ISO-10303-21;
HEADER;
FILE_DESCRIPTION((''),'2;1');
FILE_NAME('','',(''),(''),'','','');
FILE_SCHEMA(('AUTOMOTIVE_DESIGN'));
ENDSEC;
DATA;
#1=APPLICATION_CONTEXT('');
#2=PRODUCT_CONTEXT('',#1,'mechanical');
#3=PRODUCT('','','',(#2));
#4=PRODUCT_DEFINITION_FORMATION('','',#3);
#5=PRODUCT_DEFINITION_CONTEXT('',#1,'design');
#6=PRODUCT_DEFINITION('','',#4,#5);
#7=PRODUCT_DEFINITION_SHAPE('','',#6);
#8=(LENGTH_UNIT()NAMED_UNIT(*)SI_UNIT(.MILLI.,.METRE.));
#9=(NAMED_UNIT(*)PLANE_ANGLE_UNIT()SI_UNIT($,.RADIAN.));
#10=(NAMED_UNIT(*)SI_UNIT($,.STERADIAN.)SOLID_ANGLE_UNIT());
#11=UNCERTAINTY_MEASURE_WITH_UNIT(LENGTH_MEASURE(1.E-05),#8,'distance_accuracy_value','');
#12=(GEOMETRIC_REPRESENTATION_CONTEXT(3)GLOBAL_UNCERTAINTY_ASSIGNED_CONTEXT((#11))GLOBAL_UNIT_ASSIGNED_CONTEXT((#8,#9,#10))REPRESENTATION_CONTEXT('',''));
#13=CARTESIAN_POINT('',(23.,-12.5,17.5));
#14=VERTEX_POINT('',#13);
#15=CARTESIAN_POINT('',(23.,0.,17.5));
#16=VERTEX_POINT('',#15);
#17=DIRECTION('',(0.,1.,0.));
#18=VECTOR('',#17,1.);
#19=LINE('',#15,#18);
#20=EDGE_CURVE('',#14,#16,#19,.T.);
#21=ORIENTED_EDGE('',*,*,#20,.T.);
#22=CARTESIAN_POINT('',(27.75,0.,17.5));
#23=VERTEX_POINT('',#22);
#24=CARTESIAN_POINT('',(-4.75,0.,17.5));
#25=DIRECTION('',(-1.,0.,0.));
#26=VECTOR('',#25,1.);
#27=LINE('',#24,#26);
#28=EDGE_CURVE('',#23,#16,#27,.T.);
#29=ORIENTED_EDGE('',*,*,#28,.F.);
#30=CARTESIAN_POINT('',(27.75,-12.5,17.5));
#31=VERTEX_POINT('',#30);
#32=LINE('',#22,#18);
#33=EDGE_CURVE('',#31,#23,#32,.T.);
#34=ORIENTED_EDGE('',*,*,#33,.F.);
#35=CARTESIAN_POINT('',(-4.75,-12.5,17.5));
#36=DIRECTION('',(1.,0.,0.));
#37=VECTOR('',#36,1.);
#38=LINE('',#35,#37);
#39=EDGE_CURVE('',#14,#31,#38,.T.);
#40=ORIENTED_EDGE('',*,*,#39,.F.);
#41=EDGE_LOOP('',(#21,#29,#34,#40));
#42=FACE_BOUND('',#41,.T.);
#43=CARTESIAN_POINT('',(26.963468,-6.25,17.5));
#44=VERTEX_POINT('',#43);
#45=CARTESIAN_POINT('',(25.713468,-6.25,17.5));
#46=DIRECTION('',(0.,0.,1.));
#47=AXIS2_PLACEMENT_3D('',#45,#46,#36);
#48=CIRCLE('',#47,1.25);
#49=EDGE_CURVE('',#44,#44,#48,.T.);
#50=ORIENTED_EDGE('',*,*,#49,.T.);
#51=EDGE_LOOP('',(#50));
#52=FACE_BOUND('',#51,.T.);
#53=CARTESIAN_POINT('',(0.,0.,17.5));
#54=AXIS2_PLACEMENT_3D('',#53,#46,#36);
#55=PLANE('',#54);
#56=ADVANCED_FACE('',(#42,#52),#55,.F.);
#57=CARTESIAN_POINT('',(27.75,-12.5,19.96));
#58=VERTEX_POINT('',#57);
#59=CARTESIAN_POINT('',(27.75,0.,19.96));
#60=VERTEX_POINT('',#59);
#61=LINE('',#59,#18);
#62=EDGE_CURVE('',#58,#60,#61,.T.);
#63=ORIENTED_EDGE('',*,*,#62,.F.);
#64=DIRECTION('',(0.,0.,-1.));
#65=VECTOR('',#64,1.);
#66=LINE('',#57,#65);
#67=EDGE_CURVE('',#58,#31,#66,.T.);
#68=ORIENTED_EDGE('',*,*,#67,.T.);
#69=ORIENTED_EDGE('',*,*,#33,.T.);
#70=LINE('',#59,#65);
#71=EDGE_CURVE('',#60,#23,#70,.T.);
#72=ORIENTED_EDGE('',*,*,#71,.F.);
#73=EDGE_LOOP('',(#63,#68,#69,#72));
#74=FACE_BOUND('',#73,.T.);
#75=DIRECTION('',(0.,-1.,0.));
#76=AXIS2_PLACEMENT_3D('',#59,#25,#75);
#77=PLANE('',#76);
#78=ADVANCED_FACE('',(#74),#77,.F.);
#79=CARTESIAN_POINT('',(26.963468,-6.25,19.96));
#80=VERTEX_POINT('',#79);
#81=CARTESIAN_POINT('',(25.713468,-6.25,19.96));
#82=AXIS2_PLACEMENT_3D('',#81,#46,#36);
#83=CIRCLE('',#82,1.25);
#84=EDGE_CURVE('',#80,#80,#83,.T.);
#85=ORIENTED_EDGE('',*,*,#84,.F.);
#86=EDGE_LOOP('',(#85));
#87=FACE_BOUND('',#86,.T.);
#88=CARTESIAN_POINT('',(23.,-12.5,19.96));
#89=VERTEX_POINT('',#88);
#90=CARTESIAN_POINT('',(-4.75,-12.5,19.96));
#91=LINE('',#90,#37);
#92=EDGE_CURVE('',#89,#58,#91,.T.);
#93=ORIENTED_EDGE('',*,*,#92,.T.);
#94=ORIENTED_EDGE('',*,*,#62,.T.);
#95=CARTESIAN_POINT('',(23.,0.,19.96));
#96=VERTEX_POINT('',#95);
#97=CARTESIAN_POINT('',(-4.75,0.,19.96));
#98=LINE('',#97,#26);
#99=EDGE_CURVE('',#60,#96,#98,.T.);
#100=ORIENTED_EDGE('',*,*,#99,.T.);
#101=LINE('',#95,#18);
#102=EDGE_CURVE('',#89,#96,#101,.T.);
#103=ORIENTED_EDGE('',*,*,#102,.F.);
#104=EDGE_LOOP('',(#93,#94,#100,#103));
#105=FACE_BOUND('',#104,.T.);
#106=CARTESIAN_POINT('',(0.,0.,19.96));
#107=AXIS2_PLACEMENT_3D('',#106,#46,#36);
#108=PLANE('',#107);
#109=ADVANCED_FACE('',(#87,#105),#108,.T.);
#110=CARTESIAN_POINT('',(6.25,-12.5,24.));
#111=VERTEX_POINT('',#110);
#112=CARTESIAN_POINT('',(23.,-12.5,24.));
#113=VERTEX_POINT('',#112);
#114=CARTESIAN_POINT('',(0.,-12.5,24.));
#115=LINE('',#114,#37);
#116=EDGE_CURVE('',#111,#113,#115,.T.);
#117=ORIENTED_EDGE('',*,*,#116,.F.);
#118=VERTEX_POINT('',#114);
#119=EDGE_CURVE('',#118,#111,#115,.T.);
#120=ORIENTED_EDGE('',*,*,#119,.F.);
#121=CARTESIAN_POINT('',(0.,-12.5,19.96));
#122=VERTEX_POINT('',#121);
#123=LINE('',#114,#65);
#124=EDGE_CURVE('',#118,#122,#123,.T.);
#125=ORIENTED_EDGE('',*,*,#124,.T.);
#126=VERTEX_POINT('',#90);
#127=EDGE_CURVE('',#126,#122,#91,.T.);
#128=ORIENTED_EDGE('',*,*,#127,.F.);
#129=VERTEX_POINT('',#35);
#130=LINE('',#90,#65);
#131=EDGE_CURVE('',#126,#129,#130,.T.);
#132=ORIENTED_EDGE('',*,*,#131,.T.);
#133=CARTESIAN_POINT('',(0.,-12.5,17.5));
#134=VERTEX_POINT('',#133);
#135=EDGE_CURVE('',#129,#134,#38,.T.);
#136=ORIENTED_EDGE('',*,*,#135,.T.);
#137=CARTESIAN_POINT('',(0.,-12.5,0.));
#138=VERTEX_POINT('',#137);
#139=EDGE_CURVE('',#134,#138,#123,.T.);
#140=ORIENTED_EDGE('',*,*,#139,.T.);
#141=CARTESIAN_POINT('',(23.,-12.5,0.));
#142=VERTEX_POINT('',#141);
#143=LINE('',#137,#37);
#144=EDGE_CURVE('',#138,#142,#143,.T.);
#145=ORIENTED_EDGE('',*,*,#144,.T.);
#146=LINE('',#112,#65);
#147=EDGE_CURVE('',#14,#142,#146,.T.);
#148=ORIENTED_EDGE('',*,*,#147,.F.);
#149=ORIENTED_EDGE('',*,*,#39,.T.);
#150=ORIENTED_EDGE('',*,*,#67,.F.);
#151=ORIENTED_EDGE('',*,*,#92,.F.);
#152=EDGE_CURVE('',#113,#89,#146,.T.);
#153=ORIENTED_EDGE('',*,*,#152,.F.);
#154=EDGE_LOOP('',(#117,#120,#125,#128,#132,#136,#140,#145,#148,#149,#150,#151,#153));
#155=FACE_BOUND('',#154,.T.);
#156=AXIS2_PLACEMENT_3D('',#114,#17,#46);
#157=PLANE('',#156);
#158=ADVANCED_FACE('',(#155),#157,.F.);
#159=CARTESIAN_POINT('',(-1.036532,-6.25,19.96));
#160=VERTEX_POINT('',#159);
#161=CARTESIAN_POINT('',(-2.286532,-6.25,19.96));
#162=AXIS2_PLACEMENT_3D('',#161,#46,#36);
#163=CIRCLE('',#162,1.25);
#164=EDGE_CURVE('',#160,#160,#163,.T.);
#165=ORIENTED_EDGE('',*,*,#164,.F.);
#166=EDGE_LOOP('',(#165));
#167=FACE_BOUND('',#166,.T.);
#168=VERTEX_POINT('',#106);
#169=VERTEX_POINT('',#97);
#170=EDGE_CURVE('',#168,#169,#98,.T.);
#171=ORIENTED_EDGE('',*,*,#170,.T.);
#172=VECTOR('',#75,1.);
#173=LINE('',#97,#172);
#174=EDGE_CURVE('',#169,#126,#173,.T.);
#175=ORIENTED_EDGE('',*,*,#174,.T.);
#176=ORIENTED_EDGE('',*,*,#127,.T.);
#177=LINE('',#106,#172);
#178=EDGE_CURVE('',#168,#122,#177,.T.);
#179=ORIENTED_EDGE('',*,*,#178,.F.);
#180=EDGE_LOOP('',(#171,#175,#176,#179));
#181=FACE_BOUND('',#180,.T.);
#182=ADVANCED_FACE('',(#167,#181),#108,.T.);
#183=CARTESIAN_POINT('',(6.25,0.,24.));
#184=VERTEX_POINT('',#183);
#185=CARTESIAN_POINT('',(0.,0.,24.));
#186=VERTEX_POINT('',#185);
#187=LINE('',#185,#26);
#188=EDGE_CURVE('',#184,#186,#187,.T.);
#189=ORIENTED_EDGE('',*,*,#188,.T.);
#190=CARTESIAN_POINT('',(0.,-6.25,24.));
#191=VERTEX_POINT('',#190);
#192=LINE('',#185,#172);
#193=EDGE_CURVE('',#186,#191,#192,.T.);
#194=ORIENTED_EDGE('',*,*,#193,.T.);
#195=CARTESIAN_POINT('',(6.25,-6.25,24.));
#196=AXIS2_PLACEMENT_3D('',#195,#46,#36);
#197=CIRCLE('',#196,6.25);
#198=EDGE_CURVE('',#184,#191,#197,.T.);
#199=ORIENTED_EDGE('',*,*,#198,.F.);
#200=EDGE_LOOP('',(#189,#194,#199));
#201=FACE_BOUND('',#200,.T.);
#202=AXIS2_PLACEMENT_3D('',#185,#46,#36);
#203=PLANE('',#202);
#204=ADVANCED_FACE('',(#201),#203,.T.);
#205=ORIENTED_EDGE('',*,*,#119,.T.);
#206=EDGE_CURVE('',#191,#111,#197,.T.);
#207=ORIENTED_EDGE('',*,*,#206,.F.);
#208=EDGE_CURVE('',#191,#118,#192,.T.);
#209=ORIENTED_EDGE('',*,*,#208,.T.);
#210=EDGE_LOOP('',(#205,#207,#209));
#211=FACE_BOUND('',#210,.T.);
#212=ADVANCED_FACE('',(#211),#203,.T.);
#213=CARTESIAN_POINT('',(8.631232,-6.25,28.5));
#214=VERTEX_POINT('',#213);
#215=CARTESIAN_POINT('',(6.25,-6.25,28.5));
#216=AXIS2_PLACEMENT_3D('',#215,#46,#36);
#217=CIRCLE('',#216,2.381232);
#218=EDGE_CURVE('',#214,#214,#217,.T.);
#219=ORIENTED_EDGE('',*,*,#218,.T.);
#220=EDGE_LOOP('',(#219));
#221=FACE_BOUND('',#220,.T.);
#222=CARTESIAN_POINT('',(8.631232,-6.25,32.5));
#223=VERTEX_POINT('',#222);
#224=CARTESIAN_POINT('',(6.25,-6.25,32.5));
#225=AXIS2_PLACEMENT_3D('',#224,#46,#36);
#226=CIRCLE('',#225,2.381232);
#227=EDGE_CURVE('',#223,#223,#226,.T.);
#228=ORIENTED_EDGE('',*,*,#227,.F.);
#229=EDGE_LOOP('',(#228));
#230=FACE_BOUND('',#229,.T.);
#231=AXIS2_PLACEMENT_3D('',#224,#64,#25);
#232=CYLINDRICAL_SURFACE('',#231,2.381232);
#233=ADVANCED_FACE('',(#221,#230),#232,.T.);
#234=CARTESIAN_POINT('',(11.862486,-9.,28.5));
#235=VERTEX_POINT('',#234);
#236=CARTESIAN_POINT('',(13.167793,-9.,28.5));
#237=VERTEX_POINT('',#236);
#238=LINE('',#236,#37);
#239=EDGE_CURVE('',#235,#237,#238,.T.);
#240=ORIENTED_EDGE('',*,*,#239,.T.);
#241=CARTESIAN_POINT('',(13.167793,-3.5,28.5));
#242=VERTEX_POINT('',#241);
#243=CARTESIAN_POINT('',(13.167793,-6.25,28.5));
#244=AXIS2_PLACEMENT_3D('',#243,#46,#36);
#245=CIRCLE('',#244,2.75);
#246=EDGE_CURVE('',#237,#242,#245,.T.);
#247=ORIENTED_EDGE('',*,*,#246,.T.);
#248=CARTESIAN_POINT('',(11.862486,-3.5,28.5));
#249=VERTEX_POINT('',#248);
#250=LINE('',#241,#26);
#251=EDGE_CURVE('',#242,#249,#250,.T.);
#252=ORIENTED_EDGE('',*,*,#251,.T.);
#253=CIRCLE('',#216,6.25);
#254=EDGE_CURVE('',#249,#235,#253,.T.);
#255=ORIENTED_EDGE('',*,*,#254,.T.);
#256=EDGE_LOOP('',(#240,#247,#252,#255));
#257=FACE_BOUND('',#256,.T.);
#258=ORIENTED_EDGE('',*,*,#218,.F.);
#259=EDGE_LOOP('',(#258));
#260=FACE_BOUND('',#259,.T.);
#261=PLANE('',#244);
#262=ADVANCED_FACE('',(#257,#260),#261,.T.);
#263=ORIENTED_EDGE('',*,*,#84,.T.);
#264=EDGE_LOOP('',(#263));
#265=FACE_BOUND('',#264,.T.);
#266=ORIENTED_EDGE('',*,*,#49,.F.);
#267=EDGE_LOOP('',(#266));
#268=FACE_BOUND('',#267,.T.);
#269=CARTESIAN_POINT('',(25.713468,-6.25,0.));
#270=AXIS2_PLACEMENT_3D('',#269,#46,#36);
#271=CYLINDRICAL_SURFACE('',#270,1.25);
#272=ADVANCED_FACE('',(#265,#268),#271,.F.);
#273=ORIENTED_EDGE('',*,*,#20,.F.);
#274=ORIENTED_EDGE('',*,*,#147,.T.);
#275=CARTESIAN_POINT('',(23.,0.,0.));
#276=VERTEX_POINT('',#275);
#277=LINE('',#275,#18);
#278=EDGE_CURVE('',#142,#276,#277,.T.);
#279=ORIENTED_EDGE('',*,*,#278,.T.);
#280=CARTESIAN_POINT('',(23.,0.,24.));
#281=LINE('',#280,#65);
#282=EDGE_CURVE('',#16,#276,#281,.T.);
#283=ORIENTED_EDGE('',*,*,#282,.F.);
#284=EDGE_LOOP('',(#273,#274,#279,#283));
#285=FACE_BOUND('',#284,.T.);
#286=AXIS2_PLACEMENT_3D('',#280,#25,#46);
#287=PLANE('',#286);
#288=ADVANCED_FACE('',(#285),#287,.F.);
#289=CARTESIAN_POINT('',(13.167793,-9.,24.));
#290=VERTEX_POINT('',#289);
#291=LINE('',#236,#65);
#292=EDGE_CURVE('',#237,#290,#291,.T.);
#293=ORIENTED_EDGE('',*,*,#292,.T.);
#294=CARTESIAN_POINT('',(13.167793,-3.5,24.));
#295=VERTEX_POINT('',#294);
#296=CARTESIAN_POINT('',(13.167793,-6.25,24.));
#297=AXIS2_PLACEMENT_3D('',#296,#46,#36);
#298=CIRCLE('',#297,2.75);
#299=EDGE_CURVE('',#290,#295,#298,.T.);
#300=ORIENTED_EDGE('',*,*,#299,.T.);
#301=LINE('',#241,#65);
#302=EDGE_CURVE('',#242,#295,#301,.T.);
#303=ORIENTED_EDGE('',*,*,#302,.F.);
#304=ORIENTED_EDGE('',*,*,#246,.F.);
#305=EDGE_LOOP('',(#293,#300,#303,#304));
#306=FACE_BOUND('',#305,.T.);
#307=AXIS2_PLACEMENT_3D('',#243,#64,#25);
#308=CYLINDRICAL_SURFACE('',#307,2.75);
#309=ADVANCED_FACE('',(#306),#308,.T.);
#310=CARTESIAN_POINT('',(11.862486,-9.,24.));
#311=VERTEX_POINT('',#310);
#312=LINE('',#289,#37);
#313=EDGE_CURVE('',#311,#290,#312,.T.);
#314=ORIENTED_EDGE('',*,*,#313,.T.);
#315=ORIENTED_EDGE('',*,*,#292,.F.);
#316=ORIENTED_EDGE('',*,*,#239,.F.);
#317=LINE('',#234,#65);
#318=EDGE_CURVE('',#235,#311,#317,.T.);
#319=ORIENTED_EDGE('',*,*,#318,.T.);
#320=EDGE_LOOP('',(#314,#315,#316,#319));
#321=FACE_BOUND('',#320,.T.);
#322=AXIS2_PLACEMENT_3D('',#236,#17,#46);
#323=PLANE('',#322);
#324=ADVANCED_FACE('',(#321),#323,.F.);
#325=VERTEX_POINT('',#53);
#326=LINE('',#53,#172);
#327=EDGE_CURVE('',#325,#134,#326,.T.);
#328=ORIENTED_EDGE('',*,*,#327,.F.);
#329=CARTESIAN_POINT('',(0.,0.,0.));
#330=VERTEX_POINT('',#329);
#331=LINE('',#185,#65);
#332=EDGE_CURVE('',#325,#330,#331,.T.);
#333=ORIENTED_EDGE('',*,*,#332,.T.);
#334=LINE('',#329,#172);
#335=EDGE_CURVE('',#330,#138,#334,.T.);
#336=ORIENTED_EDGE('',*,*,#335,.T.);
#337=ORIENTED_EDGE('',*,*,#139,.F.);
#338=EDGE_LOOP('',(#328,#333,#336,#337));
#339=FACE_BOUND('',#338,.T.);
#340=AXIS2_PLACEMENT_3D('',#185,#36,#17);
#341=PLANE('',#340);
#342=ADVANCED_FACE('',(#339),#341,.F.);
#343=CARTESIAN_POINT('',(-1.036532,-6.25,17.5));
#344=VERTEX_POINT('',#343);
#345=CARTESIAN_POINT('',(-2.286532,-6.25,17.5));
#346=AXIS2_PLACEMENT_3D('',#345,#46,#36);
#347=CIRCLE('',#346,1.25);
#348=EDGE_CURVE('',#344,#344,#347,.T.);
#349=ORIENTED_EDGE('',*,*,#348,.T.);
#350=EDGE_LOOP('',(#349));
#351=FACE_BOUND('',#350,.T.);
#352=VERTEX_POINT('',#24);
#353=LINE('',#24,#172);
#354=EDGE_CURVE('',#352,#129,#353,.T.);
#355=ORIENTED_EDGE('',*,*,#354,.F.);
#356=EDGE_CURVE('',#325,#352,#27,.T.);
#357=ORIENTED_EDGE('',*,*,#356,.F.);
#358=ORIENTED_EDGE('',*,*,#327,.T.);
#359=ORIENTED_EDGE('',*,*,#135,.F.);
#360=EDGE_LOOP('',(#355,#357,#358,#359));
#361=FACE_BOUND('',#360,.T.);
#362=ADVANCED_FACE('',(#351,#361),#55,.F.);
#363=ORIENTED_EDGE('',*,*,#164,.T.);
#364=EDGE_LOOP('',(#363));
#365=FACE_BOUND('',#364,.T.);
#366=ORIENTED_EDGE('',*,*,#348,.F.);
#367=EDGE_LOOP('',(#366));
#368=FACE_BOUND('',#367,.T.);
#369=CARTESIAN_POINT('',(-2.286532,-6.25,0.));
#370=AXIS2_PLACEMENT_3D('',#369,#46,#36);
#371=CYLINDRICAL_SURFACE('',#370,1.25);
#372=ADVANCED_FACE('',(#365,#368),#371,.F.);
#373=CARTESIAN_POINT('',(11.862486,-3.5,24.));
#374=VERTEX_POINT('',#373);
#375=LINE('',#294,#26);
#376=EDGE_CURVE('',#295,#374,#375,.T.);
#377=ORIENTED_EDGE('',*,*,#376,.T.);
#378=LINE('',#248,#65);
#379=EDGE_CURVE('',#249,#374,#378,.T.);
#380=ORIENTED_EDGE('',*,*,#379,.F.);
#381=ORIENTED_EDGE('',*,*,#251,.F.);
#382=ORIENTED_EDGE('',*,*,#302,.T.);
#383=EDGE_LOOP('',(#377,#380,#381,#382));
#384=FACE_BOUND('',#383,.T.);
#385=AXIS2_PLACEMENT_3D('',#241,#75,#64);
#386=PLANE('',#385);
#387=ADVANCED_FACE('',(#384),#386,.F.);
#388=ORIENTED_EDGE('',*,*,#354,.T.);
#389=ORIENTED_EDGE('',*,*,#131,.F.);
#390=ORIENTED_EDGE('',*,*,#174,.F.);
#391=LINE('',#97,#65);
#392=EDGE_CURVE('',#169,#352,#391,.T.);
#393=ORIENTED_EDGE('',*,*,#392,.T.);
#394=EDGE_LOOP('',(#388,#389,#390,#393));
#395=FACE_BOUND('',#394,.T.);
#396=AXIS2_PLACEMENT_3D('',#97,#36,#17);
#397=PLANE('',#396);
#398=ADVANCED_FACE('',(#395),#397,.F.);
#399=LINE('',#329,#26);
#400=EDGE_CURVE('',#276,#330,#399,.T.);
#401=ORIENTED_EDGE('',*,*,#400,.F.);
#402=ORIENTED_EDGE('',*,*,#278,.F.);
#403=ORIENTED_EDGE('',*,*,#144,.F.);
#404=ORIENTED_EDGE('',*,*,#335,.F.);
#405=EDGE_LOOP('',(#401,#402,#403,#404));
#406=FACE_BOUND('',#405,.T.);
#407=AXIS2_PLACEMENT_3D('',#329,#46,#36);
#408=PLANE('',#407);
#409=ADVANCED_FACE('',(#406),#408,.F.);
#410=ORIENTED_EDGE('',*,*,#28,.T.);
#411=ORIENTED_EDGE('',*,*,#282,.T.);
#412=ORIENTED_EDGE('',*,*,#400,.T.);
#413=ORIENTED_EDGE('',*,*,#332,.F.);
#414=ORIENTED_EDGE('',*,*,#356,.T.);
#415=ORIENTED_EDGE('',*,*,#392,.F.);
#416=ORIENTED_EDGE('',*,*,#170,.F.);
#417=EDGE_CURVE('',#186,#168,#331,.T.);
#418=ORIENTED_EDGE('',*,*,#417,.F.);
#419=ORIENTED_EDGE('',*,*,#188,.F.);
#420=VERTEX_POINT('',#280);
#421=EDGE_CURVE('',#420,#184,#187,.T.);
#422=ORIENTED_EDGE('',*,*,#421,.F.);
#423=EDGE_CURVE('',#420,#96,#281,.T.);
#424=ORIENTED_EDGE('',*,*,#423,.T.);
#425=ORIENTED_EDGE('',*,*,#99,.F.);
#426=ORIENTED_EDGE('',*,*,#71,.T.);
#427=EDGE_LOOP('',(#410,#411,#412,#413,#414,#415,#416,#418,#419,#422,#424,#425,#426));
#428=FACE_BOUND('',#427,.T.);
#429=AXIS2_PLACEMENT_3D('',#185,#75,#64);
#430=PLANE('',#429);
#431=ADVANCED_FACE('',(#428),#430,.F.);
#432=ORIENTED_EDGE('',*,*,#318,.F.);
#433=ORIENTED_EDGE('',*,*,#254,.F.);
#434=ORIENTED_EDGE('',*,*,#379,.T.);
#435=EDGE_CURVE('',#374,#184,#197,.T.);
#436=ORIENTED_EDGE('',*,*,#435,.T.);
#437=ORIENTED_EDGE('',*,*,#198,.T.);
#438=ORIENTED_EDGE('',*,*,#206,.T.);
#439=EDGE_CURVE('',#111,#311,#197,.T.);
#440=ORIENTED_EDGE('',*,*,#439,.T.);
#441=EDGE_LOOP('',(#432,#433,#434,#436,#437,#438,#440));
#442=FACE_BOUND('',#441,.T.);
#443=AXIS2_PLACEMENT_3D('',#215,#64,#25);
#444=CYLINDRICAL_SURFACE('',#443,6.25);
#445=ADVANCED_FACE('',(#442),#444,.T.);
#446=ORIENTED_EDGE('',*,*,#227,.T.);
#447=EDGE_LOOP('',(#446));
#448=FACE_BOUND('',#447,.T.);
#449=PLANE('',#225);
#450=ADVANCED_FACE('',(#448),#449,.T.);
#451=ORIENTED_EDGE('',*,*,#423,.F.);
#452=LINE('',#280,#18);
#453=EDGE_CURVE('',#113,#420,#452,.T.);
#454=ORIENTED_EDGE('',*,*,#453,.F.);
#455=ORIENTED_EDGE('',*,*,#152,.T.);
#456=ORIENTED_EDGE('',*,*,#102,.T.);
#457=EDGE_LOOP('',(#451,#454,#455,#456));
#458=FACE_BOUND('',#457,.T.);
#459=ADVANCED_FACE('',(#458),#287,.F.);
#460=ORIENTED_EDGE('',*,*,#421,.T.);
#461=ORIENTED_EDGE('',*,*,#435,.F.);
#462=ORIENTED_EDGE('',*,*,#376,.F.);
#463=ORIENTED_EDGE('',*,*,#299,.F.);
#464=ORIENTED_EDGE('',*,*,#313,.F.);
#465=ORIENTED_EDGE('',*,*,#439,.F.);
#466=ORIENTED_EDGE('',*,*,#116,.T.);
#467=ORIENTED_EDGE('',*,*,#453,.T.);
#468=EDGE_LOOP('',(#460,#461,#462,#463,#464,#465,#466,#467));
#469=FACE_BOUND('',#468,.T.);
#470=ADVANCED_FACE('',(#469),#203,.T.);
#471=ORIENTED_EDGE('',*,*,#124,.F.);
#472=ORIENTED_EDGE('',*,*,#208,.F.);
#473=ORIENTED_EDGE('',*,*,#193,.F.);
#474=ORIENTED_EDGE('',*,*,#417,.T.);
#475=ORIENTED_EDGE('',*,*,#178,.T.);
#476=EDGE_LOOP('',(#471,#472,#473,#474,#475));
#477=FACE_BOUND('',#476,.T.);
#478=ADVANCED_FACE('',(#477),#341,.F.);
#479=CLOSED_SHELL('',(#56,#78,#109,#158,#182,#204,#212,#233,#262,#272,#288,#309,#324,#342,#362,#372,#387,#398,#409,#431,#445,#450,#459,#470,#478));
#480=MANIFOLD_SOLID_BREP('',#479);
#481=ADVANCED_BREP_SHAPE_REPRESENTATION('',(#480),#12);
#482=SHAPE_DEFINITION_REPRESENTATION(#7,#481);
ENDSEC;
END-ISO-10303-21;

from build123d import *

# Parameters (mm, degrees)
SKETCH_1_W          = 23
SKETCH_1_H          = 12.5
EXTRUDE_1_DEPTH     = 24
SKETCH_2_W          = 32.5
SKETCH_2_H          = 12.5
EXTRUDE_2_DEPTH     = 2.46
EXTRUDE_3_DEPTH     = 4.5
SKETCH_4_R          = 2.381232182
EXTRUDE_4_DEPTH     = 4
SKETCH_6_R          = 1.25
CUT_EXTRUDE_1_DEPTH = 37.396622096


with BuildPart() as part:
    # 草图1 → 凸台-拉伸1 (new body)
    with BuildSketch(Plane.XY):
        with Locations((11.5, -6.25)):
            Rectangle(SKETCH_1_W, SKETCH_1_H)
    extrude(amount=EXTRUDE_1_DEPTH)

    # 草图2 → 凸台-拉伸2 (add)
    with BuildSketch(Plane.XY.offset(17.5)):
        with Locations((11.5, -6.25)):
            Rectangle(SKETCH_2_W, SKETCH_2_H)
    extrude(amount=EXTRUDE_2_DEPTH)

    # 草图3 → 凸台-拉伸3 (add)
    with BuildSketch(Plane.XY.offset(24)):
        with BuildLine():
            Line((13.167793033, -3.5), (11.86248608, -3.5))
            ThreePointArc((11.86248608, -3.5), (0, -6.25), (11.86248608, -9))
            Line((11.86248608, -9), (13.167793033, -9))
            ThreePointArc((13.167793033, -9), (15.917793033, -6.25), (13.167793033, -3.5))
        make_face()
    extrude(amount=EXTRUDE_3_DEPTH)

    # 草图4 → 凸台-拉伸4 (add)
    with BuildSketch(Plane.XY.offset(28.5)):
        with Locations((6.25, -6.25)):
            Circle(SKETCH_4_R)
    extrude(amount=EXTRUDE_4_DEPTH)

    # 草图6 → 切除-拉伸1 (cut, through all)
    with BuildSketch(Plane.XY.offset(19.96)):
        with Locations((-2.286532447, -6.25)):
            Circle(SKETCH_6_R)
        with Locations((25.713467553, -6.25)):
            Circle(SKETCH_6_R)
    extrude(amount=-CUT_EXTRUDE_1_DEPTH, mode=Mode.SUBTRACT)


solid = part.part
